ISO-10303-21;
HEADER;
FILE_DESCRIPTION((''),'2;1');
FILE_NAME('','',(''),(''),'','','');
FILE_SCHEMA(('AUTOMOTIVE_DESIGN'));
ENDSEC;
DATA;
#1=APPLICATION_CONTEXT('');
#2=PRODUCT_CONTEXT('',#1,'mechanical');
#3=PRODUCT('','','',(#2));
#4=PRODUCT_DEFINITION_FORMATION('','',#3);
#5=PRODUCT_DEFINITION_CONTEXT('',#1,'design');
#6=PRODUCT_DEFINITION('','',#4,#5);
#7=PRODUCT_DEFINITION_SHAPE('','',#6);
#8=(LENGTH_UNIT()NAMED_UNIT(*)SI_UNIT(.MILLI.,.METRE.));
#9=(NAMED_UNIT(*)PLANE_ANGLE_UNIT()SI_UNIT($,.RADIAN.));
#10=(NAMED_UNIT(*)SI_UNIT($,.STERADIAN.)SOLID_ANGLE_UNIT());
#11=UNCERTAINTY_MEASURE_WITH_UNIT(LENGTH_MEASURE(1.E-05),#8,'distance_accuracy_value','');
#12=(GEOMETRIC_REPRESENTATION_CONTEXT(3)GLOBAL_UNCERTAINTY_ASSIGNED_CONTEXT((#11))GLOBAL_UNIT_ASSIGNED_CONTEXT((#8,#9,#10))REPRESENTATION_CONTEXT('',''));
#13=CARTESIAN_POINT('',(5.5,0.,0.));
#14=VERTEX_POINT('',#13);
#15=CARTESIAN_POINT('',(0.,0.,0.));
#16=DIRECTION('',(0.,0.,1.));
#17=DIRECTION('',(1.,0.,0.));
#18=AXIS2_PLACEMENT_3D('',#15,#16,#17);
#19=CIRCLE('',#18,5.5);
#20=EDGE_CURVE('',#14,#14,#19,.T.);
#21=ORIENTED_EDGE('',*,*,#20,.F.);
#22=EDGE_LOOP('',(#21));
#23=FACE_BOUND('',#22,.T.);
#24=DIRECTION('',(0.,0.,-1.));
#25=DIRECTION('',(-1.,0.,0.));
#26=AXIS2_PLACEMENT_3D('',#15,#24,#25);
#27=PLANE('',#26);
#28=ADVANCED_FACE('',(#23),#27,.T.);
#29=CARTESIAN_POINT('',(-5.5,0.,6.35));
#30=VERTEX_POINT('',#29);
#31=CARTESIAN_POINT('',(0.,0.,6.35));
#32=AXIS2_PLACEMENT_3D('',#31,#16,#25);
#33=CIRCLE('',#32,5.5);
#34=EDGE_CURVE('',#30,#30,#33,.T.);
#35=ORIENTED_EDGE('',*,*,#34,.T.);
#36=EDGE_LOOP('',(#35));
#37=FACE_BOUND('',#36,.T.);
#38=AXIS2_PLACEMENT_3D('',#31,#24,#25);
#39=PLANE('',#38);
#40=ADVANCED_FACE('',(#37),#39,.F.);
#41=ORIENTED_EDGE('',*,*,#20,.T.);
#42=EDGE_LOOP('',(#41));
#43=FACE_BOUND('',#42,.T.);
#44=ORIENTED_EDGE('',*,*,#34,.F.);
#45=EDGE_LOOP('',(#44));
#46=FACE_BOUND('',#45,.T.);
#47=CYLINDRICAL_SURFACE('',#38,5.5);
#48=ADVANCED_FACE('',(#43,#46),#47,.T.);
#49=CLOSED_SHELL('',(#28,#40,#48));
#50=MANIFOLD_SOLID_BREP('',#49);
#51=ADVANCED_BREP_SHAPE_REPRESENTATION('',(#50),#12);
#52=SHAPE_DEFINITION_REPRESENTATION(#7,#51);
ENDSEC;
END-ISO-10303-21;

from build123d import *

# Parameters (mm, degrees)
BOSS_EXTRUDE2_DEPTH = 6.35


with BuildPart() as part:
    # Sketch1 → Boss-Extrude2 (new body)
    with BuildSketch(Plane.XY):
        with BuildLine():
            ThreePointArc((-2.5, 4.898979486), (0, -5.5), (2.5, 4.898979486))
            ThreePointArc((2.5, 4.898979486), (0, 5.5), (-2.5, 4.898979486))
        make_face()
    extrude(amount=BOSS_EXTRUDE2_DEPTH)


solid = part.part
